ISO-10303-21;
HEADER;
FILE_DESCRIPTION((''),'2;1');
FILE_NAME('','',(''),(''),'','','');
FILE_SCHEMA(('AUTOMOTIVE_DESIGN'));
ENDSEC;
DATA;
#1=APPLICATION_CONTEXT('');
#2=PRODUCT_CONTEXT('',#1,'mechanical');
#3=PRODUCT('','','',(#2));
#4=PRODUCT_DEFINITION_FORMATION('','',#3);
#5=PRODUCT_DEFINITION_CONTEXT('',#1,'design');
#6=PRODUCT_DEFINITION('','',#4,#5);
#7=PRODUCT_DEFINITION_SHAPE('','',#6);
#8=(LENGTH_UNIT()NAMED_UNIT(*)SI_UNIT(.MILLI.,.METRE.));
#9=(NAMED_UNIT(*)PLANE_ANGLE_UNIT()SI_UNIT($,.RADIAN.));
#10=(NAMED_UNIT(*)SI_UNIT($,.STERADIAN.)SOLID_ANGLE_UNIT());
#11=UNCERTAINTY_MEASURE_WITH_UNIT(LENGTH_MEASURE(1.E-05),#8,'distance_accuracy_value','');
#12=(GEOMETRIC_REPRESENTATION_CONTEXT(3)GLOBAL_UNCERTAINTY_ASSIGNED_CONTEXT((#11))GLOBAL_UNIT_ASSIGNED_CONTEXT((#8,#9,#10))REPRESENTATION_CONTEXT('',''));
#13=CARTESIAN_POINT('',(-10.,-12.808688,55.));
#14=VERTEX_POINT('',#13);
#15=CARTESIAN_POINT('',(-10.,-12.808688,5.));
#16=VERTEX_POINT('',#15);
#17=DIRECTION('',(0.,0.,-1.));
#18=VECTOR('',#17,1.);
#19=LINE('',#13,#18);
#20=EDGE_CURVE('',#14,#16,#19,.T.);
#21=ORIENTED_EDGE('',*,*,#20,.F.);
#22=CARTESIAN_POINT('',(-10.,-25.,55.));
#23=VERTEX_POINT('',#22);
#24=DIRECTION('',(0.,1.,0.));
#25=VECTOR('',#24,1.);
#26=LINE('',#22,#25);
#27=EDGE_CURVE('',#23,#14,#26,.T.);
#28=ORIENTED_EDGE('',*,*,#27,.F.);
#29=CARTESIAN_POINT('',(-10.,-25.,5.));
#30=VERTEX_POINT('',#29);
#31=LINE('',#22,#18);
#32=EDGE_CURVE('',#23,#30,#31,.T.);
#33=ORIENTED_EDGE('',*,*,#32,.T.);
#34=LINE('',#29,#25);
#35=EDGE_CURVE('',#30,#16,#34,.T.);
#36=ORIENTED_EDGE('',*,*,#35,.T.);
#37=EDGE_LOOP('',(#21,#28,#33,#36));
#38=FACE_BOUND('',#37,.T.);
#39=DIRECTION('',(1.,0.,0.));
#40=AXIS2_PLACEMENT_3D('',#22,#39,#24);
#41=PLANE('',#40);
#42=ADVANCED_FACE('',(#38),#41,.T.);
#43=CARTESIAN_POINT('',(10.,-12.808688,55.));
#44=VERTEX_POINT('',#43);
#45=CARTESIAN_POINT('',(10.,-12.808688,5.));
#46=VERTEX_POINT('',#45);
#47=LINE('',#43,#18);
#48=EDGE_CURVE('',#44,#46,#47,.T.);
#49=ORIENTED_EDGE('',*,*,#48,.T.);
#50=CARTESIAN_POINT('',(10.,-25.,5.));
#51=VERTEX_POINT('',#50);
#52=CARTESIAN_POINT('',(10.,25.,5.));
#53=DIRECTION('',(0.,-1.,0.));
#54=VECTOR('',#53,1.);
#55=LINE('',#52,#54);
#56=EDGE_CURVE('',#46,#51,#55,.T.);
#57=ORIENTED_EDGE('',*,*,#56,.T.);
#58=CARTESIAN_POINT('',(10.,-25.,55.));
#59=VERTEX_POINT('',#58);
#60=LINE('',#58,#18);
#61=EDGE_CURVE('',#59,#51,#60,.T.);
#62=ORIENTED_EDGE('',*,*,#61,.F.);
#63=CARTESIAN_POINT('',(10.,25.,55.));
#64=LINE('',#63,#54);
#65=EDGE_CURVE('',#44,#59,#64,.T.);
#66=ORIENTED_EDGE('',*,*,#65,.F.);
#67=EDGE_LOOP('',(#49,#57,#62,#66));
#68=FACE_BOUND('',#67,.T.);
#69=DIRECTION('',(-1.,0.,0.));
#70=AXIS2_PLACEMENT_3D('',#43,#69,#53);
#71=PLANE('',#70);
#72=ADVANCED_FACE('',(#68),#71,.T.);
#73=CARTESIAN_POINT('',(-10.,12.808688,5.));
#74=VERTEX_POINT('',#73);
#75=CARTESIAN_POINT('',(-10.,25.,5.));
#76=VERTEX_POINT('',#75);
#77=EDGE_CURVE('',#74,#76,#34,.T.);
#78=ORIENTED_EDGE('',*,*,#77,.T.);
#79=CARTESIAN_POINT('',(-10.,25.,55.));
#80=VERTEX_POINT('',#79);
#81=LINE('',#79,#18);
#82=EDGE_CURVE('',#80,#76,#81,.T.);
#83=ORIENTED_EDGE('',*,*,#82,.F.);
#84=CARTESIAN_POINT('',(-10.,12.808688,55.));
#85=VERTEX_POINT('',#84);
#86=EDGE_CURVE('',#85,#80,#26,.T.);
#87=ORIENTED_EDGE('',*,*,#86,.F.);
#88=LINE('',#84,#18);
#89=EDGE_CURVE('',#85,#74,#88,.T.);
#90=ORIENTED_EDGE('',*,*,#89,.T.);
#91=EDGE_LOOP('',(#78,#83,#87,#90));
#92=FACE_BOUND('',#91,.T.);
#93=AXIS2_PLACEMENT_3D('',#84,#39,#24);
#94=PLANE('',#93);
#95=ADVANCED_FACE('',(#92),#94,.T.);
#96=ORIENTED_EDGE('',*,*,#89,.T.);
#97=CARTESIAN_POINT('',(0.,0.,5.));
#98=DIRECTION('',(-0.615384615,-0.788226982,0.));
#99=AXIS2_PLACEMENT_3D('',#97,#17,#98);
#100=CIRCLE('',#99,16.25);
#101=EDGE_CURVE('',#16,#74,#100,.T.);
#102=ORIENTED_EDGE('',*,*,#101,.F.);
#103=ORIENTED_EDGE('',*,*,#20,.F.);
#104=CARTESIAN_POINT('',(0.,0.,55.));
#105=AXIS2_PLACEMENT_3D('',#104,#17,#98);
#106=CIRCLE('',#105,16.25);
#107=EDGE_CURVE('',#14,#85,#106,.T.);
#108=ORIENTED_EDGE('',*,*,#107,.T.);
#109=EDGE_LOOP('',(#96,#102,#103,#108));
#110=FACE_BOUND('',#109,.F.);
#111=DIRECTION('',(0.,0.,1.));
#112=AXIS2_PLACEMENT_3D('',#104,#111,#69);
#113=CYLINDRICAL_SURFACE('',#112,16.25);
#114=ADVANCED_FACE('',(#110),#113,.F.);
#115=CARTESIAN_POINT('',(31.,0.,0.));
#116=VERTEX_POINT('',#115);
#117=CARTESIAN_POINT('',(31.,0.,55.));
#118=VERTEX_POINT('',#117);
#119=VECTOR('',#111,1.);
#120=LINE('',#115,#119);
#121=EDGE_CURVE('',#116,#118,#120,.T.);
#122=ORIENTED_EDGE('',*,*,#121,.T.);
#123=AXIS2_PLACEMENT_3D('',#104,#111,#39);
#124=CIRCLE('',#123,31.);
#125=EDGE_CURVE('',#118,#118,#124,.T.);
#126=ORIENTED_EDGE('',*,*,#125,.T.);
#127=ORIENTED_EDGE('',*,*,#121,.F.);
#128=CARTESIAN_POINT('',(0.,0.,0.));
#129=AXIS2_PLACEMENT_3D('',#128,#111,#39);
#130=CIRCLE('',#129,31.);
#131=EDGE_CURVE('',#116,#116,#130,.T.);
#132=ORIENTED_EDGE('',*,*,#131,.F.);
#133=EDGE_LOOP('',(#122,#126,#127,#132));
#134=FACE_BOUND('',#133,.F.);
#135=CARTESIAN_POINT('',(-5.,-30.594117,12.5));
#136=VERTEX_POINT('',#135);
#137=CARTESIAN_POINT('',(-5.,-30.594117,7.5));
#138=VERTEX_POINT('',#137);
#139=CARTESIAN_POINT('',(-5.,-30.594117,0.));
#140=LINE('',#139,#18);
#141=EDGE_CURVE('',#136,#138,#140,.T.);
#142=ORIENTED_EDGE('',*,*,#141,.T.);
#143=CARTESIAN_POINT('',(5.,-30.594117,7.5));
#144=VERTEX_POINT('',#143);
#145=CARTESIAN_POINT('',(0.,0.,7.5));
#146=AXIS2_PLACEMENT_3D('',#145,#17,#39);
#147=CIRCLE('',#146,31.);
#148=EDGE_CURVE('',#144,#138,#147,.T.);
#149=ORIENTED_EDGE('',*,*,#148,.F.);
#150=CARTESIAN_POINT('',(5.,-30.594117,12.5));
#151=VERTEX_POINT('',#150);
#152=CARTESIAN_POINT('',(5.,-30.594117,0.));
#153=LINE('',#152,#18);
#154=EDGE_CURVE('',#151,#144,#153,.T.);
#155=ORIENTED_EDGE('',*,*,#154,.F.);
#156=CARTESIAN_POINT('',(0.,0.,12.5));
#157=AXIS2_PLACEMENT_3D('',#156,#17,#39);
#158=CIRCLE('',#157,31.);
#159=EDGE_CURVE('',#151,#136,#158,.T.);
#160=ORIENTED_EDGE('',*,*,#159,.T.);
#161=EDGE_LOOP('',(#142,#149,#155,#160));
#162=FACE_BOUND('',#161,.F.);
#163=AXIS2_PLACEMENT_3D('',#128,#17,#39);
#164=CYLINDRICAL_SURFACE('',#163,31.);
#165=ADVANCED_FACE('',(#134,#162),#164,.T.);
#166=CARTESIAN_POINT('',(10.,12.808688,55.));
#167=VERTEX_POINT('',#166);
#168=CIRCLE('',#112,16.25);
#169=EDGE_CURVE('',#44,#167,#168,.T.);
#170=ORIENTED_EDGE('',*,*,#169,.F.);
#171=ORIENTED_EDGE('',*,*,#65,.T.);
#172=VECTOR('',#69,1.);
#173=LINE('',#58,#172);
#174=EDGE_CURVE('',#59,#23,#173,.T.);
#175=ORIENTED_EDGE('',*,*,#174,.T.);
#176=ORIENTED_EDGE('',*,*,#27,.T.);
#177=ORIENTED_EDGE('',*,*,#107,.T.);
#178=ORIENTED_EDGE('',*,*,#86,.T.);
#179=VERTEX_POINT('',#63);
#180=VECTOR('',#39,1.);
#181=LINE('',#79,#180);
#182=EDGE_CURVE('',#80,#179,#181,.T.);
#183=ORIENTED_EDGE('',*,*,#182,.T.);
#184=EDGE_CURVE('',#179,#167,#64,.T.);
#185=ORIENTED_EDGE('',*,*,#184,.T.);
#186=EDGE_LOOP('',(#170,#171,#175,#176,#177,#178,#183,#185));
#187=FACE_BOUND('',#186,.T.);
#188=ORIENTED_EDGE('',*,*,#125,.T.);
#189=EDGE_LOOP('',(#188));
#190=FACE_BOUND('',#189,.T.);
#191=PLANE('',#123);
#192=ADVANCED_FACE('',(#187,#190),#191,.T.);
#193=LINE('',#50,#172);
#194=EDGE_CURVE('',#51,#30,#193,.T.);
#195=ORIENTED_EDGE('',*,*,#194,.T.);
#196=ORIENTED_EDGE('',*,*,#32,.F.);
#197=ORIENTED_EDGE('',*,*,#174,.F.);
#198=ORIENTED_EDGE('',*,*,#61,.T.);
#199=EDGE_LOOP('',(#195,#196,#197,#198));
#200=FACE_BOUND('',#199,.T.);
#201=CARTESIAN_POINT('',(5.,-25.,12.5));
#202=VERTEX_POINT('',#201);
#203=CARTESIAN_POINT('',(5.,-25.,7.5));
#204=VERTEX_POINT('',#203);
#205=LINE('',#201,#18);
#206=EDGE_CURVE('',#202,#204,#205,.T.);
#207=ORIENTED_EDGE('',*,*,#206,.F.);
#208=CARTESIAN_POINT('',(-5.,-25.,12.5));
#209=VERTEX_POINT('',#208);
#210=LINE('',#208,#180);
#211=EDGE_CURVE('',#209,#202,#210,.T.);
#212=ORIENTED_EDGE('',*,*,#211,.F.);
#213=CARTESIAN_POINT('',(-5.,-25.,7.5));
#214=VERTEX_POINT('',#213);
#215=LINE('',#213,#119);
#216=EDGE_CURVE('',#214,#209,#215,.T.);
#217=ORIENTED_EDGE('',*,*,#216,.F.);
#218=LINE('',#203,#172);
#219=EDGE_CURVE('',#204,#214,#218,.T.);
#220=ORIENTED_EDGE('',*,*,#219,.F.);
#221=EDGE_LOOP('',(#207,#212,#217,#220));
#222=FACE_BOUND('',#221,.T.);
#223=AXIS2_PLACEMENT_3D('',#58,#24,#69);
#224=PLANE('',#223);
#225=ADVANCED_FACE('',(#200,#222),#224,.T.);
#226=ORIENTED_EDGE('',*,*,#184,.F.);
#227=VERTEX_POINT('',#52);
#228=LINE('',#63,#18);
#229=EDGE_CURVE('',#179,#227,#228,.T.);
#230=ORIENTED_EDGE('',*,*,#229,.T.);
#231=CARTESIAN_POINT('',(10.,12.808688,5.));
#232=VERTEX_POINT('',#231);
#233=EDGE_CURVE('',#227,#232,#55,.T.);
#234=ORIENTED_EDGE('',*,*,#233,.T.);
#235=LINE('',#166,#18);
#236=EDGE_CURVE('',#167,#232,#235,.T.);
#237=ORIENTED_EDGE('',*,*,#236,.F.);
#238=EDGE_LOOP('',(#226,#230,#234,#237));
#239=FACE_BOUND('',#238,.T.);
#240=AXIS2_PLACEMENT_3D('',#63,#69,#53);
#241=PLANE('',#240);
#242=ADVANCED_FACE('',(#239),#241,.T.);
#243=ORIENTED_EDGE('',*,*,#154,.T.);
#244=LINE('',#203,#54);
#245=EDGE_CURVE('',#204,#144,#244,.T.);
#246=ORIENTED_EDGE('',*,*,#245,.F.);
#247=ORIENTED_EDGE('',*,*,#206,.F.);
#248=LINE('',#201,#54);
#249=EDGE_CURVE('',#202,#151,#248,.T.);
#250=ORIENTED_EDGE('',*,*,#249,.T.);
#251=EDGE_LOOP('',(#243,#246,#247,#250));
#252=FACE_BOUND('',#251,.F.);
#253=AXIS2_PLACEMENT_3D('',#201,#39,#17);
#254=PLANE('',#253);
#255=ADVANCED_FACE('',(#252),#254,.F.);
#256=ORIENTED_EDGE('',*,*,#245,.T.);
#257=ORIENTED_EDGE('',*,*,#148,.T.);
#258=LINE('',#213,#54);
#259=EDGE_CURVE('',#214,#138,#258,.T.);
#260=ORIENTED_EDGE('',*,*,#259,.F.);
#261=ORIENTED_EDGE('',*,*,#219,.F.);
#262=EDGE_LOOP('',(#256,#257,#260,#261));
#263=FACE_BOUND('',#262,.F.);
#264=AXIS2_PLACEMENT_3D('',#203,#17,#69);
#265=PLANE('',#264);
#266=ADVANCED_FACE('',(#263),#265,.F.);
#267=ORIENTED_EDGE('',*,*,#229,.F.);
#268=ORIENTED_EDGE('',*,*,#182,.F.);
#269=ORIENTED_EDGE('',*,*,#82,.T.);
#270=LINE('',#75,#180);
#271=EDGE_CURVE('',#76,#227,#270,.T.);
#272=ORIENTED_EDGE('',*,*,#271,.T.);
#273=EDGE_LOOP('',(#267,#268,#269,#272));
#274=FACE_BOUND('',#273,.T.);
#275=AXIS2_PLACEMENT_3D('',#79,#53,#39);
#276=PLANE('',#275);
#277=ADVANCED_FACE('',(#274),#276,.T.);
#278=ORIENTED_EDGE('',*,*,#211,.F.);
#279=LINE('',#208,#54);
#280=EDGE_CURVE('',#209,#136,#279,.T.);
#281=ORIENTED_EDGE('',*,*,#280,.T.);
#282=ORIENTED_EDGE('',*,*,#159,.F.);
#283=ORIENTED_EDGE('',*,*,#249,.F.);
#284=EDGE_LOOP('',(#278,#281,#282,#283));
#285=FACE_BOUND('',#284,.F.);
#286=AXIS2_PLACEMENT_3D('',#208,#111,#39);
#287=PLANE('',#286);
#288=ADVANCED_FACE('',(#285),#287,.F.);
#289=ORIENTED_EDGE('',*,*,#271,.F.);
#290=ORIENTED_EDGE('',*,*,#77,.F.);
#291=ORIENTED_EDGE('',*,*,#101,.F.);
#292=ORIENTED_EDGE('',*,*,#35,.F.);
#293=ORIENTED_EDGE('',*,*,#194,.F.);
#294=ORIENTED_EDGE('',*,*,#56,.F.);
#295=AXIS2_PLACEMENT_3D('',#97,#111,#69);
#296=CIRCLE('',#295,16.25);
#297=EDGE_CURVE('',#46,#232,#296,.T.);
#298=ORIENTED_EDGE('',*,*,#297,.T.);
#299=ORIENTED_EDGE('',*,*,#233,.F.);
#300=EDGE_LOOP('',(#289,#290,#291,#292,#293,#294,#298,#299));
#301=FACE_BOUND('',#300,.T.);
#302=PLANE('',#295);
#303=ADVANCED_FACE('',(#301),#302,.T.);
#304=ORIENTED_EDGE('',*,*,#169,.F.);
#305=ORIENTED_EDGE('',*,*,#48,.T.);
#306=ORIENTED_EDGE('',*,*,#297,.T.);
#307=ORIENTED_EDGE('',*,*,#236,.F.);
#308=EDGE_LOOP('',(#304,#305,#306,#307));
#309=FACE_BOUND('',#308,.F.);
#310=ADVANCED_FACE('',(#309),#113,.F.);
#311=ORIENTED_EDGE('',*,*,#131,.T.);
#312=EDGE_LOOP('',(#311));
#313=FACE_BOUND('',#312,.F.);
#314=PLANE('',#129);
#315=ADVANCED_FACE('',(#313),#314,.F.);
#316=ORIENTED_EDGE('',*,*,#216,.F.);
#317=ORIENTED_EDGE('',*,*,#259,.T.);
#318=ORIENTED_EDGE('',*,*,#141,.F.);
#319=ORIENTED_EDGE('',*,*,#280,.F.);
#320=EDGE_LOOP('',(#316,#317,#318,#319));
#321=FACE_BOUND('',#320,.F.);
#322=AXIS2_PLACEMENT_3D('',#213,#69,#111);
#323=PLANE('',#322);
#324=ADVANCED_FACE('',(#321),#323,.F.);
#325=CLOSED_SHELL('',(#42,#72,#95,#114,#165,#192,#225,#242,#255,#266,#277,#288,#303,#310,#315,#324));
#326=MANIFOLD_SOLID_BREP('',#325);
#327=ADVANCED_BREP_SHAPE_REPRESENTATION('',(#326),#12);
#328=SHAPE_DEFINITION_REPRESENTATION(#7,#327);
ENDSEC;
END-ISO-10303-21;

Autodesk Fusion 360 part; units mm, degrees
sketch "Sketch1" plane through (0, 0, 0) normal (0, 0, 1) x (1, 0, 0)
  circle A0 centre (0, 0) radius 31
  dimension "d1" = 62
extrude "Extrude1" add sketch "Sketch1" along normal blind 55
sketch "Sketch2" plane through (0, 0, 55) normal (0, 0, 1) x (-1, 0, 0)
  circle A0 centre (0, 0) radius 31
  circle A1 centre (0, 0) radius 16.25
  dimension "d4" = 32.5
extrude "Extrude2" cut sketch "Sketch2" against normal blind 50 contours A1
sketch "Sketch3" plane through (0, 0, 55) normal (0, 0, 1) x (-1, 0, 0)
  circle A0 centre (0, 0) radius 16.25
  circle A1 centre (0, 0) radius 31
  line L0 (10, -25) -> (-10, -25)
  line L1 (-10, -25) -> (-10, 25)
  line L2 (-10, 25) -> (10, 25)
  line L3 (10, 25) -> (10, -25)
  line L4 (10, -25) -> (-10, 25) construction
  line L5 (-10, -25) -> (10, 25) construction
  dimension "d7" = 20
  dimension "d8" = 50
extrude "Extrude3" cut sketch "Sketch3" against normal blind 50 contours A0 L1 L2 L3 | A0 L0 L1 L3
sketch "Sketch4" plane through (0, -25, 0) normal (0, 1, 0) x (-1, 0, 0)
  line L0 (10, 55) -> (-10, 55)
  line L1 (-10, 55) -> (-10, 5)
  line L2 (-10, 5) -> (10, 5)
  line L3 (10, 5) -> (10, 55)
  line L4 (5, 12.5) -> (-5, 12.5)
  line L5 (-5, 12.5) -> (-5, 7.5)
  line L6 (-5, 7.5) -> (5, 7.5)
  line L7 (5, 7.5) -> (5, 12.5)
  line L8 (5, 12.5) -> (-5, 7.5) construction
  line L9 (-5, 12.5) -> (5, 7.5) construction
  point P0 (0, 10)
  dimension "d11" = 10
  dimension "d12" = 5
extrude "Extrude4" cut sketch "Sketch4" against normal blind 8 contours L4 L5 L6 L7
